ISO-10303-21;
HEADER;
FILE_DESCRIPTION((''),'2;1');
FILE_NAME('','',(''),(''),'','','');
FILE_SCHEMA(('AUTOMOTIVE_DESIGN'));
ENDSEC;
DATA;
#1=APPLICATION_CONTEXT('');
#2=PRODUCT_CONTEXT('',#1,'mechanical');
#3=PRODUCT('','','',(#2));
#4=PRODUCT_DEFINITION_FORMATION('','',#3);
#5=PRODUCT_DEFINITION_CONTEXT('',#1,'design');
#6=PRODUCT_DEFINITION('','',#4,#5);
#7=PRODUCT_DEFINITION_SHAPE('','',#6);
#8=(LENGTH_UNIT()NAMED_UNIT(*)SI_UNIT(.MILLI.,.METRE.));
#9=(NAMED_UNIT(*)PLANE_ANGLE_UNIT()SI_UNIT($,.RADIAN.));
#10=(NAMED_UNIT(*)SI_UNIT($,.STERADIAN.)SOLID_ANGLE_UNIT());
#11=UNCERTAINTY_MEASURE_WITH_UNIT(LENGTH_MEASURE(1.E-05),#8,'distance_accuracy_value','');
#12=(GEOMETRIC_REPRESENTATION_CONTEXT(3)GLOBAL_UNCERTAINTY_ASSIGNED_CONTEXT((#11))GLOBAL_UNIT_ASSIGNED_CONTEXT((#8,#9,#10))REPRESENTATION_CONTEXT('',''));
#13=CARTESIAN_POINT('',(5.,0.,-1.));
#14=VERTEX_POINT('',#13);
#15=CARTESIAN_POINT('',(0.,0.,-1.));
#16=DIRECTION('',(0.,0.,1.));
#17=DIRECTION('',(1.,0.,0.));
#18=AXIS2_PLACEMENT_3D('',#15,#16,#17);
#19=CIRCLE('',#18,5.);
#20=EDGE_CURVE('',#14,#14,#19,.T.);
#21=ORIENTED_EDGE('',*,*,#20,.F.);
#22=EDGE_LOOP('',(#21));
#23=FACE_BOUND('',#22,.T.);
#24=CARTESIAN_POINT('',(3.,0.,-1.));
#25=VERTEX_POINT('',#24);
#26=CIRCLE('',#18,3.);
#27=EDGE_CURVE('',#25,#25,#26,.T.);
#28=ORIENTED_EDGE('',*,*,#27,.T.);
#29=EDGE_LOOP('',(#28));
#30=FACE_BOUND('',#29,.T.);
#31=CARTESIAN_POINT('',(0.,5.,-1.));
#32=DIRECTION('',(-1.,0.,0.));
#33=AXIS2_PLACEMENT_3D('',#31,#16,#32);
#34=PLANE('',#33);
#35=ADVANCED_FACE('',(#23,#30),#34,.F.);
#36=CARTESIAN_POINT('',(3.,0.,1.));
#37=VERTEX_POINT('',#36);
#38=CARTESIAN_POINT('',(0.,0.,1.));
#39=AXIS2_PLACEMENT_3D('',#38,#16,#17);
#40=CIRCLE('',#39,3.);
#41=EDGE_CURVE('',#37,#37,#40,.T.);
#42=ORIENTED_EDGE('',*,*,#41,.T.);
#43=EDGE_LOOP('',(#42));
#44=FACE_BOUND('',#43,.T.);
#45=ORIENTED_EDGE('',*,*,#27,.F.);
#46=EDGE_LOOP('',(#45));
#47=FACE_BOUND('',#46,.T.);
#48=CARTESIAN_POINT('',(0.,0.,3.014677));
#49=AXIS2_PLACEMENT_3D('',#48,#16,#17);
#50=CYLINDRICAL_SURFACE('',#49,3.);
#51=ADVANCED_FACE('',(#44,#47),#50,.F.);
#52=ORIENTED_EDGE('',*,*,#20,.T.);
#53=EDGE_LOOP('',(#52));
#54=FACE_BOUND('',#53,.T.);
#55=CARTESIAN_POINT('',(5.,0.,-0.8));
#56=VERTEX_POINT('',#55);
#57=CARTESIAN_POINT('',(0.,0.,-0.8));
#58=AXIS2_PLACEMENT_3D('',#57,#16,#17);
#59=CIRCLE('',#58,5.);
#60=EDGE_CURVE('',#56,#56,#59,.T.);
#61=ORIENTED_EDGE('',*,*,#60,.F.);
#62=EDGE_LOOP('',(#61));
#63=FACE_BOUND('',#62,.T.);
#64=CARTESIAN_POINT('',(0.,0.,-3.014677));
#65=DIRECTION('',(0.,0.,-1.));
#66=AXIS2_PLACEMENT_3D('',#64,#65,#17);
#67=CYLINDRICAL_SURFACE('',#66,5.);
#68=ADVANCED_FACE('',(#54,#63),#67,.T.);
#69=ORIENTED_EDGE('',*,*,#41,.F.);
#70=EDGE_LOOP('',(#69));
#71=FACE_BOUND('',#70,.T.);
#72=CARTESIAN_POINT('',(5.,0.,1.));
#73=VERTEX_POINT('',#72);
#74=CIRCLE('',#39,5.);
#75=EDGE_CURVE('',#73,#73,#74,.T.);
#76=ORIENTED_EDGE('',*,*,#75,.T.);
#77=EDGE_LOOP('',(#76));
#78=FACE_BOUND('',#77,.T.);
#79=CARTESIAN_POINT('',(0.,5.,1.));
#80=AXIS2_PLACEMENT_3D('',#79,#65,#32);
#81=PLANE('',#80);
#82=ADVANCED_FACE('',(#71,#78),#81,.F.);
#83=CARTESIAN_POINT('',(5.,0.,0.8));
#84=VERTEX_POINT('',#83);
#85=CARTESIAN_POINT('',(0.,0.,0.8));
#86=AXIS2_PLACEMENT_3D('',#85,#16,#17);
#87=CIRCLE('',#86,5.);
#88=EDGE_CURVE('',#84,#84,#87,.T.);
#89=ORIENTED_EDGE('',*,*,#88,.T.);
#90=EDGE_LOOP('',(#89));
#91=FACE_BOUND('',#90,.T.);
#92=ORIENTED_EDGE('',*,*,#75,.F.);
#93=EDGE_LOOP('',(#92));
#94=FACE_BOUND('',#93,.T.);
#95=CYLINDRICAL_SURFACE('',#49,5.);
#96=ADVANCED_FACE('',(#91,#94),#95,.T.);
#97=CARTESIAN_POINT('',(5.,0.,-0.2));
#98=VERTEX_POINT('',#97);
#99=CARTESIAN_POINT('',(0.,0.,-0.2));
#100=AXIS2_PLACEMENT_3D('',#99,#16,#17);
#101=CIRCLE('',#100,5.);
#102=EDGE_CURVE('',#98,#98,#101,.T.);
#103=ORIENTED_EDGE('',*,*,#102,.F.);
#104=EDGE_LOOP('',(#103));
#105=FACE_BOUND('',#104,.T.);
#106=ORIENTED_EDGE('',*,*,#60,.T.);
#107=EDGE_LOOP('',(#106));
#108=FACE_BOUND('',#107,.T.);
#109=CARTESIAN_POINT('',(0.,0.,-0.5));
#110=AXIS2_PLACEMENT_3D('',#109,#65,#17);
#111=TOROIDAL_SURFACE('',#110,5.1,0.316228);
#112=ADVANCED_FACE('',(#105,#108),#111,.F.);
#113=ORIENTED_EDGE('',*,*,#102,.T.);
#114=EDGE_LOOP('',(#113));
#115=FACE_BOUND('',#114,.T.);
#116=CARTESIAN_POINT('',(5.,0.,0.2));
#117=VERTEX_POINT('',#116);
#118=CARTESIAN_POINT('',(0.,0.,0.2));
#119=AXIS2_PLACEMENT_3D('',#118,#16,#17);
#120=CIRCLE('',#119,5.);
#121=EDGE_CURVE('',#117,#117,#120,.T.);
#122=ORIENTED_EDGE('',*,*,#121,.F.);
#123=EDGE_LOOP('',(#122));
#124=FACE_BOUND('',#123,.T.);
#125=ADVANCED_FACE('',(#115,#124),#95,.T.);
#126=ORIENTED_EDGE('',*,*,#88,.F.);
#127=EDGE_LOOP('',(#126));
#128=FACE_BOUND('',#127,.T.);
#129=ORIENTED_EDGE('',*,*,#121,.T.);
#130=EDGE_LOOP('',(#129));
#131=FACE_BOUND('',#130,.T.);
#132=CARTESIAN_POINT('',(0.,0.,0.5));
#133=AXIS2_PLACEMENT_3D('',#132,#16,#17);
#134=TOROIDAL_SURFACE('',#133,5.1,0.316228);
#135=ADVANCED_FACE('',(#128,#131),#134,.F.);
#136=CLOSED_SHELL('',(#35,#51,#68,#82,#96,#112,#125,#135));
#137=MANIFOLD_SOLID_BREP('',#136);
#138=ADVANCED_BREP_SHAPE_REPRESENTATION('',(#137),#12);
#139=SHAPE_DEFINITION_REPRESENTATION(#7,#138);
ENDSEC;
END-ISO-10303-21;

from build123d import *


with BuildPart() as part:
    # Sketch2 → Revolve1 (revolve)
    with BuildSketch(Plane(origin=(0, 0, 0), x_dir=(0, 0, -1), z_dir=(1, 0, 0))):
        with BuildLine():
            Line((0, 3), (0, 5))
            Line((0, 5), (-0.2, 5))
            ThreePointArc((-0.2, 5), (-0.5, 4.783772234), (-0.8, 5))
            Line((-0.8, 5), (-1, 5))
            Line((-1, 5), (-1, 3))
            Line((-1, 3), (0, 3))
        make_face()
    revolve1 = revolve(axis=Axis((0, 0, 3.014677367), (0, 0, -1)))

    # Mirror2: Revolve1 across plane
    add(revolve1.mirror(Plane(origin=(0, 0, 0), x_dir=(1, 0, 0), z_dir=(0, 0, -1))))


solid = part.part
